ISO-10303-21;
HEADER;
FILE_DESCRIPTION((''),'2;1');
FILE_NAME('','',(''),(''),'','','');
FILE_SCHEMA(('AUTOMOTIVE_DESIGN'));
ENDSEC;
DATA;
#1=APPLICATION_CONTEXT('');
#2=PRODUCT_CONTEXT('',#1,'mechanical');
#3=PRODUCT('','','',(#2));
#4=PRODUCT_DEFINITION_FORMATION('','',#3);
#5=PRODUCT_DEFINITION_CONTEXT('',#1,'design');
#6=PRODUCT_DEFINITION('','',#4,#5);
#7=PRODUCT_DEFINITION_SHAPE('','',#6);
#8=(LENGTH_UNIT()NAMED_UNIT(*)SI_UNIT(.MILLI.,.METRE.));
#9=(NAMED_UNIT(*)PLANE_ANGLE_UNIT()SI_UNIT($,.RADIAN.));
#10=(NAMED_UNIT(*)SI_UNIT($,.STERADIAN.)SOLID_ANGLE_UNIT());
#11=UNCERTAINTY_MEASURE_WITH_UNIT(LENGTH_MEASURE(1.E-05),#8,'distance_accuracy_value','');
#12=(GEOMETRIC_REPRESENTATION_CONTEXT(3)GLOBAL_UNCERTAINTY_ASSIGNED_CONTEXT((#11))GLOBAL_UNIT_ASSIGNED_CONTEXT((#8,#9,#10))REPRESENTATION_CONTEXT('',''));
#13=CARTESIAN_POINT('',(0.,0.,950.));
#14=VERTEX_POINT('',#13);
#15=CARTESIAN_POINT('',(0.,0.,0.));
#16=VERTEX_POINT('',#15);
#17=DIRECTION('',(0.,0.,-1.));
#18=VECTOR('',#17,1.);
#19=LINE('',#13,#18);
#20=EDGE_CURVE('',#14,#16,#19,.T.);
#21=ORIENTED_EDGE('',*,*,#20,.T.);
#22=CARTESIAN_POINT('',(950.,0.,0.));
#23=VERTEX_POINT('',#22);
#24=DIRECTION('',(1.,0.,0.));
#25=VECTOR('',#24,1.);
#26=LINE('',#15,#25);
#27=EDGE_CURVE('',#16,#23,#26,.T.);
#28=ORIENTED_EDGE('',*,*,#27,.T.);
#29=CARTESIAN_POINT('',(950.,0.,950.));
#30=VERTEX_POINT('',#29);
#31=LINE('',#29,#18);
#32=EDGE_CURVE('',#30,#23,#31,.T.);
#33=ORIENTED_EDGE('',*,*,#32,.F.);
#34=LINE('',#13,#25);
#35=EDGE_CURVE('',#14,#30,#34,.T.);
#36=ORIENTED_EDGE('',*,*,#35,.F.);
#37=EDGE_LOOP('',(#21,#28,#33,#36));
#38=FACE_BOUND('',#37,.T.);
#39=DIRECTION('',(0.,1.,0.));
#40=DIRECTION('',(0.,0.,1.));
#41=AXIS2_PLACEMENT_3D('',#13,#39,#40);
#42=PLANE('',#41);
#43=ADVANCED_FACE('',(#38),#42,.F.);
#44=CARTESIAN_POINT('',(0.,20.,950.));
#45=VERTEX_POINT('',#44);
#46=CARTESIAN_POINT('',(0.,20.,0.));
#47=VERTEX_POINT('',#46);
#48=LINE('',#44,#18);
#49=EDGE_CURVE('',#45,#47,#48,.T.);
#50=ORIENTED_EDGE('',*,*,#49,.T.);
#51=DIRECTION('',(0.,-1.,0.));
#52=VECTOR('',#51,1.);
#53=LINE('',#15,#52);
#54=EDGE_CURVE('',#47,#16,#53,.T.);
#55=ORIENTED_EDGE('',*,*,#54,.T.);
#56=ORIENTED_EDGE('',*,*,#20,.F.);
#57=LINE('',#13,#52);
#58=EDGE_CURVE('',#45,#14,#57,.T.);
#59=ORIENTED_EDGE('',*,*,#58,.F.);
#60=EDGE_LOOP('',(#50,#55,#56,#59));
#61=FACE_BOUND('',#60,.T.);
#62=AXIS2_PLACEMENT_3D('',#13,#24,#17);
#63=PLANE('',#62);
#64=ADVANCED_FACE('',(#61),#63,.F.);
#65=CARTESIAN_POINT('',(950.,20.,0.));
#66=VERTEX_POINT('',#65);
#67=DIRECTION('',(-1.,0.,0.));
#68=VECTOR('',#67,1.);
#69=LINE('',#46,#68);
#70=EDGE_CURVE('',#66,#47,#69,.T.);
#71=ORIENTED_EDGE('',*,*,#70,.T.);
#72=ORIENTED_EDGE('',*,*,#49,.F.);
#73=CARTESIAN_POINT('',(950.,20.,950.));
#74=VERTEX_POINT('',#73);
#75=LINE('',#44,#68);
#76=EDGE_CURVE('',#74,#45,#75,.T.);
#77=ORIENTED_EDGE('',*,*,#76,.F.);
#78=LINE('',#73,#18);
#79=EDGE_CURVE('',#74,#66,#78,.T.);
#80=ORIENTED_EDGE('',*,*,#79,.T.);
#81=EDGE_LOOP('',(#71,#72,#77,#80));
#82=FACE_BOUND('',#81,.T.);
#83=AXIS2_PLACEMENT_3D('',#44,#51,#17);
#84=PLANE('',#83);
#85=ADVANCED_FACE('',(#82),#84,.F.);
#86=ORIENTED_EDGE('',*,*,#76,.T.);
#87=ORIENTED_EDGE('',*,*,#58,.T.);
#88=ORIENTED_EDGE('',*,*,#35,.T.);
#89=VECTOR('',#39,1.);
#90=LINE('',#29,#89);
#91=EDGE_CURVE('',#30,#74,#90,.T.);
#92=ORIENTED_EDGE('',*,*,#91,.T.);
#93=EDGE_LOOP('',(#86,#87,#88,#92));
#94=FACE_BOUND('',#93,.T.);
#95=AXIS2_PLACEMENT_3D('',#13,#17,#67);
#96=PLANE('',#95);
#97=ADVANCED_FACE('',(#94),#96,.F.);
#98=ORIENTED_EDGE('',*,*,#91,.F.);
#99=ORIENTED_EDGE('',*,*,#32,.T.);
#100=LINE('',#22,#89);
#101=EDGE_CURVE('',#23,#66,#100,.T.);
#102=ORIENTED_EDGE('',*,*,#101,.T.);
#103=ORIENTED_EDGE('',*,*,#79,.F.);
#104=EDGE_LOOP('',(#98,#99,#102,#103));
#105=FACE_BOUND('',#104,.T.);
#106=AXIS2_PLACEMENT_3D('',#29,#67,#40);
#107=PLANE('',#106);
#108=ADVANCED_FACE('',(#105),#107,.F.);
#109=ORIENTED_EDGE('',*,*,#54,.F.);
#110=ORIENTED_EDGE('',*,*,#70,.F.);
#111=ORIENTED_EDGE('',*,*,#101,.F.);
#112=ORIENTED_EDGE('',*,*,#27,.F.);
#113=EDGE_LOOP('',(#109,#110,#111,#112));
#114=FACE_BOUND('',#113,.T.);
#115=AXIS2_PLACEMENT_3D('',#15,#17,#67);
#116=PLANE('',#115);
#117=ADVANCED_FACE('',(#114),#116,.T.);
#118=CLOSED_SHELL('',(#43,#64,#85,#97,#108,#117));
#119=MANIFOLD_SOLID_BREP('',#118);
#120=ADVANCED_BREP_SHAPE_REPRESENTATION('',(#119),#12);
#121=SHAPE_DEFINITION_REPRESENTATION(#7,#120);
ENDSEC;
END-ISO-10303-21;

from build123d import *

# Parameters (mm, degrees)
SKETCH1_W            = 950
SKETCH1_H            = 20
REFERENCE_ONLY_DEPTH = 950


with BuildPart() as part:
    # Sketch1 → Reference_only (new body)
    with BuildSketch(Plane.XY):
        with Locations((475, 10)):
            Rectangle(SKETCH1_W, SKETCH1_H)
    extrude(amount=REFERENCE_ONLY_DEPTH)


solid = part.part
